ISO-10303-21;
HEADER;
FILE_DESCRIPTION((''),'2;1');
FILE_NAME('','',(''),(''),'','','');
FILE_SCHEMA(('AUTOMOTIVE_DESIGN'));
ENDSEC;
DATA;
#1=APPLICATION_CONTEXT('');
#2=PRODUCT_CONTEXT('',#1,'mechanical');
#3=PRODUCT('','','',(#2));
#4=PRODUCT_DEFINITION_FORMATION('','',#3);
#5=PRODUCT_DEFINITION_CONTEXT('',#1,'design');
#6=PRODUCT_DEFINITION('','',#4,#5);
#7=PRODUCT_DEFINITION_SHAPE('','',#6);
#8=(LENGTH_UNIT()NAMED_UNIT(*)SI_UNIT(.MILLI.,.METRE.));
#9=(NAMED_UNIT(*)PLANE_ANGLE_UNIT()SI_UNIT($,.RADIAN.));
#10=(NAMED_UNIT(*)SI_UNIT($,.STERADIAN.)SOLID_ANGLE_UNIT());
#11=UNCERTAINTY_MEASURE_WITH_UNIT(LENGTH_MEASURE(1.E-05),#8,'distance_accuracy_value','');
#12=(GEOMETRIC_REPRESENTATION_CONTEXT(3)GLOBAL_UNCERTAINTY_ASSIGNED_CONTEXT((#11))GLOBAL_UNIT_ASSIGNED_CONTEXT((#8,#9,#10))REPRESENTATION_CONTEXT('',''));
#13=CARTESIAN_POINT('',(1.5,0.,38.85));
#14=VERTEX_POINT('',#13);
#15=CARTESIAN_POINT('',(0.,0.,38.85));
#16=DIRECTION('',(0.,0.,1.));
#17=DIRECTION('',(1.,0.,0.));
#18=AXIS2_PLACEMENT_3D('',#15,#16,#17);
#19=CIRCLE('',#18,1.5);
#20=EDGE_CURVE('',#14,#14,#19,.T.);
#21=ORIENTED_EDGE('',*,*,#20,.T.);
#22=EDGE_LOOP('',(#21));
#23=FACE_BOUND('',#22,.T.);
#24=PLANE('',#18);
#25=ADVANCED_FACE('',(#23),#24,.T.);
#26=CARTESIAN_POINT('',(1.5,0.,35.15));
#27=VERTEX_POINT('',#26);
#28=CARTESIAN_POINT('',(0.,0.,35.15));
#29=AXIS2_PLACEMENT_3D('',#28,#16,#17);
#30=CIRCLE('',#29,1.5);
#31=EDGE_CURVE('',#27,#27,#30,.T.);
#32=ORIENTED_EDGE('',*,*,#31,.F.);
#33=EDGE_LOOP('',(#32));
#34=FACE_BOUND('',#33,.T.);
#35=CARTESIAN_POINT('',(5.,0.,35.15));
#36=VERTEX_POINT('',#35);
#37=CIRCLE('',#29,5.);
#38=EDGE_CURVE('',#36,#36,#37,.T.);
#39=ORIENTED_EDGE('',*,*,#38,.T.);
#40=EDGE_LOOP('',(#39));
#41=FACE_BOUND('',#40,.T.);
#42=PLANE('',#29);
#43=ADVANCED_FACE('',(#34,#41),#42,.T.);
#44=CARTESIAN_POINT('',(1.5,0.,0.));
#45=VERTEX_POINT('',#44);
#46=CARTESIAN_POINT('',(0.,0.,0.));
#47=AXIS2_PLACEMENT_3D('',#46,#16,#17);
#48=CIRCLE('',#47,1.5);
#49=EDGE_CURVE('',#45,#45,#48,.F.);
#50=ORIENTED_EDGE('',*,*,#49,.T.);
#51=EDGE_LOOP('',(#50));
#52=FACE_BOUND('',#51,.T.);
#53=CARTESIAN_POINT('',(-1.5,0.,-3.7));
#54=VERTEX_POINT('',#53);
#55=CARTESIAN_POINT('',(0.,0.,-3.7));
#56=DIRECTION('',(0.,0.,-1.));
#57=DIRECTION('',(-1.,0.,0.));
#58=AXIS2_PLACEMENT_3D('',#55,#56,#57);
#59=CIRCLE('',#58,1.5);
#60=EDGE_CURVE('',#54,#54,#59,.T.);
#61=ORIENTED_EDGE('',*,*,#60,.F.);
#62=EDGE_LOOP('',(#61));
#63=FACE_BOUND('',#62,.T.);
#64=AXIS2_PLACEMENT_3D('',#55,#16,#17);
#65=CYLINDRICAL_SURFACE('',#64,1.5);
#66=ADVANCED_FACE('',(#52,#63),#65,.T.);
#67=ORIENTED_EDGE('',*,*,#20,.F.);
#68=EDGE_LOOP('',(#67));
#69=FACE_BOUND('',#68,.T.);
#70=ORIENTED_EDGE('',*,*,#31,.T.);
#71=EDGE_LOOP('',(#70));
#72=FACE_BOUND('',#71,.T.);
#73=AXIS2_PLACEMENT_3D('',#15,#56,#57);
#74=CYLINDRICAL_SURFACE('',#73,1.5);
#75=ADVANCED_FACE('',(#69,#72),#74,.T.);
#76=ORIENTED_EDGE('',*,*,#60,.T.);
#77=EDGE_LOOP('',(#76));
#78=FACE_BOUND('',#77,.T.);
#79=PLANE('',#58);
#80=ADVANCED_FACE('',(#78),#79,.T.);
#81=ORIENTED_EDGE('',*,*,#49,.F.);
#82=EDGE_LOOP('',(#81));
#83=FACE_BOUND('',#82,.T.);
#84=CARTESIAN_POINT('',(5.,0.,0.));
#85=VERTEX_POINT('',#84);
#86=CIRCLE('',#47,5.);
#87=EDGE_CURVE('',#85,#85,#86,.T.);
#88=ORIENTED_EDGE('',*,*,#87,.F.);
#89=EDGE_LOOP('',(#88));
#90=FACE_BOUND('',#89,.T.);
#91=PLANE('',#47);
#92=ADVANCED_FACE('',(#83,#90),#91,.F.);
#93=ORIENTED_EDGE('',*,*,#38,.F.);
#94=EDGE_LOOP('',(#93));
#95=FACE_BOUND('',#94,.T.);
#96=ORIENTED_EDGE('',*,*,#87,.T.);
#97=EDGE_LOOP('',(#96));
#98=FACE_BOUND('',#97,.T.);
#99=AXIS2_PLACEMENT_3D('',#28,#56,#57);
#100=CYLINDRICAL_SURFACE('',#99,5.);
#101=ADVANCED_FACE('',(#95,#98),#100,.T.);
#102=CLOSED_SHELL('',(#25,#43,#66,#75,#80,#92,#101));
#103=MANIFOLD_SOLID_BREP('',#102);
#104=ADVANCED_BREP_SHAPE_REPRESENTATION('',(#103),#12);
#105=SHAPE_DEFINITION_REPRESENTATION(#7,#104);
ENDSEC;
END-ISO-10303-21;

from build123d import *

# Parameters (mm, degrees)
SKETCH_1_R      = 5
EXTRUDE_1_DEPTH = 35.15
SKETCH_2_R      = 1.5
EXTRUDE_2_DEPTH = 3.7
SKETCH_3_R      = 1.5
EXTRUDE_3_DEPTH = 3.7


with BuildPart() as part:
    # 草图1 → 凸台-拉伸1 (new body)
    with BuildSketch(Plane.XY):
        Circle(SKETCH_1_R)
    extrude(amount=EXTRUDE_1_DEPTH)

    # 草图2 → 凸台-拉伸2 (add)
    with BuildSketch(Plane(origin=(0, 0, 0), x_dir=(-1, 0, 0), z_dir=(0, 0, -1))):
        Circle(SKETCH_2_R)
    extrude(amount=EXTRUDE_2_DEPTH)

    # 草图3 → 凸台-拉伸3 (add)
    with BuildSketch(Plane.XY.offset(35.15)):
        Circle(SKETCH_3_R)
    extrude(amount=EXTRUDE_3_DEPTH)


solid = part.part
